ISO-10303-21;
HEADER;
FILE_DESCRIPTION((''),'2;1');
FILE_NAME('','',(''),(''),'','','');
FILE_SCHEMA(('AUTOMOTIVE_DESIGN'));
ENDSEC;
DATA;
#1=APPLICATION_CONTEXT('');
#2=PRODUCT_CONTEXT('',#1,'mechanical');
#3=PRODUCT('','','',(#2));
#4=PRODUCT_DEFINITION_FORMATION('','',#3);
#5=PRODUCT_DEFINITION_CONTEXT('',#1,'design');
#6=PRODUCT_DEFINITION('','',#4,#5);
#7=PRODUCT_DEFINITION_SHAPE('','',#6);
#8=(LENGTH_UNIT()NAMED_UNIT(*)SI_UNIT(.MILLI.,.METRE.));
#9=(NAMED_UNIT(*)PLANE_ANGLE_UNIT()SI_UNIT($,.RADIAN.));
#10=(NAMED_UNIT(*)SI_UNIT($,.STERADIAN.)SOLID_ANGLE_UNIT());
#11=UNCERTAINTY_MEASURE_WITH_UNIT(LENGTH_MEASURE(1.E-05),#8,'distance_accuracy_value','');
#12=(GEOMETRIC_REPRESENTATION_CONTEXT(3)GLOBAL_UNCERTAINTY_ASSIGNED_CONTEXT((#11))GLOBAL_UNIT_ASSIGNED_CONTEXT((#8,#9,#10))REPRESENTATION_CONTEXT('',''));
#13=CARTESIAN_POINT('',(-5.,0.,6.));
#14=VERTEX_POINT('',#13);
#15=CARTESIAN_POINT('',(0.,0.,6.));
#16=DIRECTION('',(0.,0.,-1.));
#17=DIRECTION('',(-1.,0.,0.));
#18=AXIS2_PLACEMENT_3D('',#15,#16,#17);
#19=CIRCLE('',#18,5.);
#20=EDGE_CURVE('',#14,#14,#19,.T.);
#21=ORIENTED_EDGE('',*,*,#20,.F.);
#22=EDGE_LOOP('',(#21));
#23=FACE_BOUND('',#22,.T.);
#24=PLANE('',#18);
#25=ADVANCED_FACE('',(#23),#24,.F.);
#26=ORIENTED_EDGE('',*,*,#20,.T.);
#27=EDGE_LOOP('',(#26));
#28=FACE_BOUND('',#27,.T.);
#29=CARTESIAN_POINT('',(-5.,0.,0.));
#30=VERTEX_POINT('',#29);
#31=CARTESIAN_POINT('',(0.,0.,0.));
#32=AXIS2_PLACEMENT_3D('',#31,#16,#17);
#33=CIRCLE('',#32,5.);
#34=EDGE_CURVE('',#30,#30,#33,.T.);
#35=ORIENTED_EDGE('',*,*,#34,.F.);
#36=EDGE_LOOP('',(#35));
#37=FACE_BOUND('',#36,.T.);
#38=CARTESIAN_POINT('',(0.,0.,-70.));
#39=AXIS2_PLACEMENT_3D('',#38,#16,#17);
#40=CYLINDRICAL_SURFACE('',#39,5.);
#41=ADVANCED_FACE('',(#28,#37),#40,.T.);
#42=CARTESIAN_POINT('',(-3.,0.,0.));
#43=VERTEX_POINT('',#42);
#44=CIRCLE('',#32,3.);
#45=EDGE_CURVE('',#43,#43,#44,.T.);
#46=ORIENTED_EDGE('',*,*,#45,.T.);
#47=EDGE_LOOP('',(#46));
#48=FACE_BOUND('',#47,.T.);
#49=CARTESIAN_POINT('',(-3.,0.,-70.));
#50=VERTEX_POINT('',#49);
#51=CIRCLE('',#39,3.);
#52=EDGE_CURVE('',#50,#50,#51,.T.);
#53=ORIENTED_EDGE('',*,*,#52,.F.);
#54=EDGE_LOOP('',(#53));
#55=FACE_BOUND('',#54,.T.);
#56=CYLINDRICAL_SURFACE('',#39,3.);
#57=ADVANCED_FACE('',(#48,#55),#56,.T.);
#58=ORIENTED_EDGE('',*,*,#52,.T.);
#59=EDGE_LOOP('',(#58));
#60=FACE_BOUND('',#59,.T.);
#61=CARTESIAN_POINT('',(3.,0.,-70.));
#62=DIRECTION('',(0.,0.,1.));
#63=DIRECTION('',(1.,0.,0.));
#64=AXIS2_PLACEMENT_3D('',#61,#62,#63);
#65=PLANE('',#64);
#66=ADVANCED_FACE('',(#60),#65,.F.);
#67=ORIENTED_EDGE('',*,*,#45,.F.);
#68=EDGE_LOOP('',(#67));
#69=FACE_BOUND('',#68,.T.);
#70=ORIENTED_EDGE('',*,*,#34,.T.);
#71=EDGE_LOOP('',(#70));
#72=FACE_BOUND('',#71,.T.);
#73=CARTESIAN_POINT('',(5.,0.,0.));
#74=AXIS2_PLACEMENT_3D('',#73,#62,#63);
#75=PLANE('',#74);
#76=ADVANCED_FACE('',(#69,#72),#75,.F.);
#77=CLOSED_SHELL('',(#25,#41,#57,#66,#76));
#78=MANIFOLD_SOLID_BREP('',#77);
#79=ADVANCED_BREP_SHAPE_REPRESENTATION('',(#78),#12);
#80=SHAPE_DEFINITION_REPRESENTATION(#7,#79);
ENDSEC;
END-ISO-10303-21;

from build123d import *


with BuildPart() as part:
    # Sketch1 → REV_ISO4762_M6x70_8.8 (revolve)
    with BuildSketch(Plane(origin=(0, 0, 0), x_dir=(1, 0, 0), z_dir=(0, 1, 0)), mode=Mode.PRIVATE) as rev_iso4762_m6x70_8_8_sk:
        Polygon((0, -6), (5, -6), (5, 0), (3, 0), (3, 70), (0, 70), align=None)
    revolve(rev_iso4762_m6x70_8_8_sk.sketch.rotate(Axis((0, 0, -70), (0, 0, 1)), 180), axis=Axis((0, 0, -70), (0, 0, 1)))


solid = part.part
